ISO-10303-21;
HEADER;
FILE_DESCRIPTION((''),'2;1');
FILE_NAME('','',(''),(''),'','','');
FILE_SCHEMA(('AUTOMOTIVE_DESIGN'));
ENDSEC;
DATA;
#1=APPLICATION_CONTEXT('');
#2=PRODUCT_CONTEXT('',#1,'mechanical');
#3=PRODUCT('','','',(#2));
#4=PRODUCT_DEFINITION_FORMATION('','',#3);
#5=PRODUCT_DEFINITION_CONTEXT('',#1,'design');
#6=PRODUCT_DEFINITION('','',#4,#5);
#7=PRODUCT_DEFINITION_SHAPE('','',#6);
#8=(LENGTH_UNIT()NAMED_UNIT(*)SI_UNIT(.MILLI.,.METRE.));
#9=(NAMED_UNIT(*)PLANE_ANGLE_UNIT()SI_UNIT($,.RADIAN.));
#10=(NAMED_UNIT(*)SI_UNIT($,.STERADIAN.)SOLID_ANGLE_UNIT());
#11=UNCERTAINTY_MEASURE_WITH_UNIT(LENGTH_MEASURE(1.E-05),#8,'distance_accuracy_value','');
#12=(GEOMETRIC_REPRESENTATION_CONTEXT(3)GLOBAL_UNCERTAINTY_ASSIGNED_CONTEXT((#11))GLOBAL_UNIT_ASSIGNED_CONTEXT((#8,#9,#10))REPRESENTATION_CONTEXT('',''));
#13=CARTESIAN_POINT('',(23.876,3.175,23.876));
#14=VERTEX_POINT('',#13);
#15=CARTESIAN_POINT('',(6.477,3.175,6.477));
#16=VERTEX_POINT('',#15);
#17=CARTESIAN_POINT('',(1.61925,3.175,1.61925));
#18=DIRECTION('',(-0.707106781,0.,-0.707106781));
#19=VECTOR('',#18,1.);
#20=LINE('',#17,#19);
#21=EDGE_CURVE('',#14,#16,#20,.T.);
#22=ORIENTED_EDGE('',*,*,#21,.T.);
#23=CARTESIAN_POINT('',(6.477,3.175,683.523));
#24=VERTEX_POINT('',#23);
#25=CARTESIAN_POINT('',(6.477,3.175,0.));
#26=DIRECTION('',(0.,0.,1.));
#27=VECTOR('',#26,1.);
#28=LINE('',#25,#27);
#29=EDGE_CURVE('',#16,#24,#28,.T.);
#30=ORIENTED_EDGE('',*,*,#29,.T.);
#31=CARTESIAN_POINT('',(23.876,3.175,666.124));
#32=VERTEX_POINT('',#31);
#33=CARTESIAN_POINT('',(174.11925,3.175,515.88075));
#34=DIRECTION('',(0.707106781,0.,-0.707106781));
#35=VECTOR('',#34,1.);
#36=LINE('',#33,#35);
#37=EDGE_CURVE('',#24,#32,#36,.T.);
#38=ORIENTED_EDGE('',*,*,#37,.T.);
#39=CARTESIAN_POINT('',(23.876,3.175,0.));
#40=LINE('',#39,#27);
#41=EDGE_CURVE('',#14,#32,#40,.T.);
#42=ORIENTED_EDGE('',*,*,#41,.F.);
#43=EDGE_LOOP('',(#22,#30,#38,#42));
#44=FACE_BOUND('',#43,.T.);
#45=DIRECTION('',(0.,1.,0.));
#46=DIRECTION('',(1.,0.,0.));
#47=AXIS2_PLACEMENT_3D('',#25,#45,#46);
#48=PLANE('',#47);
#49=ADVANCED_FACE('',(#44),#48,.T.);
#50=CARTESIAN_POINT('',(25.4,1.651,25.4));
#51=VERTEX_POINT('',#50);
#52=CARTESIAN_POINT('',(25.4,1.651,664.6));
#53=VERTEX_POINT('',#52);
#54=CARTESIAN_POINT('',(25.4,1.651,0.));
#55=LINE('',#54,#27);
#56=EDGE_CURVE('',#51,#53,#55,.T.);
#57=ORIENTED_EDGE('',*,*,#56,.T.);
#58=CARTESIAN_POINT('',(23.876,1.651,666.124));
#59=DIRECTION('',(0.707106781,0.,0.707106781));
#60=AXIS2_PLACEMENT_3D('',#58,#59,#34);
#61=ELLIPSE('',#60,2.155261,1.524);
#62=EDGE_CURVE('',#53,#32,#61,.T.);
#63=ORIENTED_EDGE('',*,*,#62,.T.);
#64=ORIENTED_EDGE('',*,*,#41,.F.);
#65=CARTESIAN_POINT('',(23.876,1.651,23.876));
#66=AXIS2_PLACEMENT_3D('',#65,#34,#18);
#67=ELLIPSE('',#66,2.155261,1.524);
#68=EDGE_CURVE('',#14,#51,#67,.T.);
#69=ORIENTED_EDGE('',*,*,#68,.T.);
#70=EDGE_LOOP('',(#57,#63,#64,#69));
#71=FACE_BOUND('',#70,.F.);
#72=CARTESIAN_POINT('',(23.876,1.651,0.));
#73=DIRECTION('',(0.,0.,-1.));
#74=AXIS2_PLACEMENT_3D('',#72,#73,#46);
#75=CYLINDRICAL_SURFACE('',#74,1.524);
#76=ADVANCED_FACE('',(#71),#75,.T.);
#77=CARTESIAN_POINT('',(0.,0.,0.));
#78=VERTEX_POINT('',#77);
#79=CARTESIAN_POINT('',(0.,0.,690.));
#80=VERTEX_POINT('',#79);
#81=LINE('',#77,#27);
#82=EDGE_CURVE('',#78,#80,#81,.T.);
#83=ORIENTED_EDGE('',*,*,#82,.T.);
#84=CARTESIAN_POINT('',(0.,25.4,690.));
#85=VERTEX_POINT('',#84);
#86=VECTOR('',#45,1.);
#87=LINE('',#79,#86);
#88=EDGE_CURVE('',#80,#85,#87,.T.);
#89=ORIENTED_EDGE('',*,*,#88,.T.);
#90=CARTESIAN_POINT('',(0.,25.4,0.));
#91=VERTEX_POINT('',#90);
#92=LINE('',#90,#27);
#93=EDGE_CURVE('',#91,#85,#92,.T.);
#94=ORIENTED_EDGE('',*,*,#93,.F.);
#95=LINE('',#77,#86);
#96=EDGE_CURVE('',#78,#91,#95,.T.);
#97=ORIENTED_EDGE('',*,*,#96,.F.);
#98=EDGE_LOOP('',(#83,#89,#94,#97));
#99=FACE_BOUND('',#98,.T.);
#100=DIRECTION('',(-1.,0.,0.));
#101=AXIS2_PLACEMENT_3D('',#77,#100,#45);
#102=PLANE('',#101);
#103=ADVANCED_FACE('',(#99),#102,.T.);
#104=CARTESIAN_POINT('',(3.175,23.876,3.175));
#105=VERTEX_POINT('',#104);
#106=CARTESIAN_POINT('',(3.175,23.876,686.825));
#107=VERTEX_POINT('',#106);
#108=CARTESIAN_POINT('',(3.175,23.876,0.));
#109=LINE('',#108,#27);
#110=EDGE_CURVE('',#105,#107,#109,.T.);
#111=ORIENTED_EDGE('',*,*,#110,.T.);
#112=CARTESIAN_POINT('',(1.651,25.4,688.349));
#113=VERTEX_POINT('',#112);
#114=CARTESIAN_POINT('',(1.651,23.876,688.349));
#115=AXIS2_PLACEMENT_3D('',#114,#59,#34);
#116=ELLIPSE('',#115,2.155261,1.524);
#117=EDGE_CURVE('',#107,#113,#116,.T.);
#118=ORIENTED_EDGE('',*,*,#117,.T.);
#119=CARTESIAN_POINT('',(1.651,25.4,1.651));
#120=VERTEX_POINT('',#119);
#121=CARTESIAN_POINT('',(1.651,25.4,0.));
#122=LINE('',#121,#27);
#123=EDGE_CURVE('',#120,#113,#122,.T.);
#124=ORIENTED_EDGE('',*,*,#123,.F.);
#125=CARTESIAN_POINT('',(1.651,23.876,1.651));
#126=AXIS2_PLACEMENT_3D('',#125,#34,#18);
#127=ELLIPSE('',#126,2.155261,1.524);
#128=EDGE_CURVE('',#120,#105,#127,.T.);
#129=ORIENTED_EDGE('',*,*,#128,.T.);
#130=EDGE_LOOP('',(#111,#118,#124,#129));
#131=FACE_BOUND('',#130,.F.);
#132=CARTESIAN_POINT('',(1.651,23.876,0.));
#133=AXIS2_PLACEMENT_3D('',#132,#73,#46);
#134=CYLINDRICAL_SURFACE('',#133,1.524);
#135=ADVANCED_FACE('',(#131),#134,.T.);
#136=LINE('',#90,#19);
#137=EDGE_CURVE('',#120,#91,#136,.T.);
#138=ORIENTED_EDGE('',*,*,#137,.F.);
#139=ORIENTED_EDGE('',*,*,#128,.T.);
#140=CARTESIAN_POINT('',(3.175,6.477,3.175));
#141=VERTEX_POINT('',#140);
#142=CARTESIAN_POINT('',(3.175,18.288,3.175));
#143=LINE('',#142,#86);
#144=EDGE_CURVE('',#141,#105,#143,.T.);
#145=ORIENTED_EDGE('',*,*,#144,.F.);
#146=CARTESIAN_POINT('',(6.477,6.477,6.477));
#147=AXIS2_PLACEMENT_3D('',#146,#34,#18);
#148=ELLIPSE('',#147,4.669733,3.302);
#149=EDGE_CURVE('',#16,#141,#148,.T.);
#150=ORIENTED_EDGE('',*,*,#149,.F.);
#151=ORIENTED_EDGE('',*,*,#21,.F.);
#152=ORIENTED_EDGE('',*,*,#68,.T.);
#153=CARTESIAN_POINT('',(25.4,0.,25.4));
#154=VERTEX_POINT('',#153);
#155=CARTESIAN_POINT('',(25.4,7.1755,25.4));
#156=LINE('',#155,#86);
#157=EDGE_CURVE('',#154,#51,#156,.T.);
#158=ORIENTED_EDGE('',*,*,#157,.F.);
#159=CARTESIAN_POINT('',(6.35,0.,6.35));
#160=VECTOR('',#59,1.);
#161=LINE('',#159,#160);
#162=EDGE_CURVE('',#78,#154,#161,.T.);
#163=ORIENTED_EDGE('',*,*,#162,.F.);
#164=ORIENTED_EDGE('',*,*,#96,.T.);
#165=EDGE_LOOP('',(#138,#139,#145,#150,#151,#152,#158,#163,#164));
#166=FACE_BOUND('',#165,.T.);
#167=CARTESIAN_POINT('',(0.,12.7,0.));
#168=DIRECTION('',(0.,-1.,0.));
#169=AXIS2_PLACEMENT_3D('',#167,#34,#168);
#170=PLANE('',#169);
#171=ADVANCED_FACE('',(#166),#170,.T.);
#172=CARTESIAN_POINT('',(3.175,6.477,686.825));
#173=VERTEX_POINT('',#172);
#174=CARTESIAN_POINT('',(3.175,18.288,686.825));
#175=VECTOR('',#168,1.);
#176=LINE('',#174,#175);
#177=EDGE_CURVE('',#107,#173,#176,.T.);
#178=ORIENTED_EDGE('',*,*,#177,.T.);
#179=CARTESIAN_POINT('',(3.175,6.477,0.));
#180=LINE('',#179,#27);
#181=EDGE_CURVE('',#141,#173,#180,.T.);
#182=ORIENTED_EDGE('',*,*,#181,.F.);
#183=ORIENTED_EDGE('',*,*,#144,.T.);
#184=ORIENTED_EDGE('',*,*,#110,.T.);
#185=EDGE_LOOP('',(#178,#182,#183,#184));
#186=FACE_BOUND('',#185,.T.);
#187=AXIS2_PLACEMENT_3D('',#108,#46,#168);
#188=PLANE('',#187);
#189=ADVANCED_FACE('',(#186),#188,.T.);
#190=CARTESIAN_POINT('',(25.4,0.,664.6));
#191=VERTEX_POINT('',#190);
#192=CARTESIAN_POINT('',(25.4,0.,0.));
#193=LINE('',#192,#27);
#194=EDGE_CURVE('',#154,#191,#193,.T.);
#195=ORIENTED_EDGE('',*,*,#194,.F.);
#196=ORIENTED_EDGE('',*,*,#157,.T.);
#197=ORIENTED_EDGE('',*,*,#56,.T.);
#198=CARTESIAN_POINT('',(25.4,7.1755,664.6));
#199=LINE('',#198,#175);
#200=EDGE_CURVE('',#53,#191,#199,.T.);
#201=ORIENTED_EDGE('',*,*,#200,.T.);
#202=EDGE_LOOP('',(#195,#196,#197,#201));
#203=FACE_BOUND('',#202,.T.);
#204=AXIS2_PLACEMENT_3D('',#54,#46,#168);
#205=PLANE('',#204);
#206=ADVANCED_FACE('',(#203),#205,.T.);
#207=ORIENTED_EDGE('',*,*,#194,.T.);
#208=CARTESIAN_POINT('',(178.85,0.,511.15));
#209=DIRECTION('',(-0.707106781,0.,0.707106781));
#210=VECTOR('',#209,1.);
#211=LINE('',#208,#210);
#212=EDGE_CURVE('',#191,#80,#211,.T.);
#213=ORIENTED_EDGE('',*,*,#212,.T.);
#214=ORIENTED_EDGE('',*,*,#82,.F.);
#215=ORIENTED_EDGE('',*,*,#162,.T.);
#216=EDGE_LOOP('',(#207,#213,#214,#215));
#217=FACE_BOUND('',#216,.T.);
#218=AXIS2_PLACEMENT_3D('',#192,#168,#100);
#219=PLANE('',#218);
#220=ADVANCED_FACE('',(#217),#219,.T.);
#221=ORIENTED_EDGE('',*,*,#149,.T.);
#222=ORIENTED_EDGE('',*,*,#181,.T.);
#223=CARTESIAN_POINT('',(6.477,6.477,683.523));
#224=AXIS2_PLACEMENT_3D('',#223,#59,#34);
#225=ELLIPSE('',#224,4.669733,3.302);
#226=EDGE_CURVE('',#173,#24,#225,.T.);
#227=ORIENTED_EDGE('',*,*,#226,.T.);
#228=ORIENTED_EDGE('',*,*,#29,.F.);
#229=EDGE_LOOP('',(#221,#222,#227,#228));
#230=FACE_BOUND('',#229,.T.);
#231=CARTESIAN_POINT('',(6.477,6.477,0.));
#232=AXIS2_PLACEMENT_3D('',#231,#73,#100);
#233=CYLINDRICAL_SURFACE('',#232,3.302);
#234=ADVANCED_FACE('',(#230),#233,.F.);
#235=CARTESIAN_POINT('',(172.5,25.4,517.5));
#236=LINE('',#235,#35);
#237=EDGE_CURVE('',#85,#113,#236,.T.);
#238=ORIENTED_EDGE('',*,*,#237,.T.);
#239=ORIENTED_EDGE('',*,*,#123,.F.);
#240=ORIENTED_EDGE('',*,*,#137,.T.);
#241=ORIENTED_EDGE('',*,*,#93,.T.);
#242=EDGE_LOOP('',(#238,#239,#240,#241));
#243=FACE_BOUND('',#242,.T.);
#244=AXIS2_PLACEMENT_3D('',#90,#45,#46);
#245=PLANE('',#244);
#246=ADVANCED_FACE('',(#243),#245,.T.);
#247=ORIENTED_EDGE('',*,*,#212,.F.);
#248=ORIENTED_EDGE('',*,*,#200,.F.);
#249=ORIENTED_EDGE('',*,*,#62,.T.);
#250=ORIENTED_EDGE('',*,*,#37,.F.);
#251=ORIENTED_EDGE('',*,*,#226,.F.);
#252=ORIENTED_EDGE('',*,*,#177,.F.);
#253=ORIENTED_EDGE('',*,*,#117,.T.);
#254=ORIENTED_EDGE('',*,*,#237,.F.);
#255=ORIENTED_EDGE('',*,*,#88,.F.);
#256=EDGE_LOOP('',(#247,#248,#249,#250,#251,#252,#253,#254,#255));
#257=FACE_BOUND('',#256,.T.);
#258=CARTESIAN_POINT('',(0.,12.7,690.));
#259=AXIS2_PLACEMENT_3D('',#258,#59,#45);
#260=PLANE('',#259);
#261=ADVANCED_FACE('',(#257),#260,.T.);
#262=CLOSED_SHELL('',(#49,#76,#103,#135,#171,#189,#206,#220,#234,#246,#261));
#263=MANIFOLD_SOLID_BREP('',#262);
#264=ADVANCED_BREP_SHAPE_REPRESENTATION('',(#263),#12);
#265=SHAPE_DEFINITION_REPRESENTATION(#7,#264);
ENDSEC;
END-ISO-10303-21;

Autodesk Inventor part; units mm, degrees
ref_plane "Start Plane" through (0, 0, 0) normal (0, 0, 1) x (1, 0, 0)
ref_plane "End Plane" through (0, 0, 690) normal (0, 0, 1) x (1, 0, 0)
sketch "Sketch" plane through (0, 0, 0) normal (0, 0, 1) x (1, 0, 0)
  line L0 (25.4, 0) -> (0, 0)
  line L1 (0, 0) -> (0, 25.4)
  line L2 (0, 25.4) -> (1.651, 25.4)
  line L3 (3.175, 23.876) -> (3.175, 6.477)
  line L4 (6.477, 3.175) -> (23.876, 3.175)
  line L5 (25.4, 1.651) -> (25.4, 0)
  line L6 (0, -11.0414) -> (0, 31.5385) construction
  line L7 (-11.0414, 0) -> (31.5385, 0) construction
  arc A0 (3.175, 6.477) -> (6.477, 3.175) centre (6.477, 6.477) ccw
  arc A1 (3.175, 23.876) -> (1.651, 25.4) centre (1.651, 23.876) ccw
  arc A2 (25.4, 1.651) -> (23.876, 3.175) centre (23.876, 1.651) ccw
  line L8 (0, 40.0545) -> (0, -19.5574) construction
  line L9 (-19.5574, 0) -> (40.0545, 0) construction
  point P0 (3.175, 25.4)
  point P1 (3.175, 3.175)
  point P2 (25.4, 3.175)
  dimension "d0" = 25.4
  dimension "d1" = 25.4
  dimension "d2" = 3.175
  dimension "d3" = 3.175
  dimension "d10" = 0
  dimension "d11" = 0
  dimension "d14" = 3.302
  dimension "d15" = 1.524
extrude "Body" add sketch "Sketch" along normal up to surface (690 mm away) from surface at 0
sketch "Sketch3" plane through (0, 0, 0) normal (0, 0, 1) x (1, 0, 0)
  line L0 (0, 0) -> (10, 0)
ref_plane "Work Plane3" through (0, 0, 0) normal (0, -1, 0) x (1, 0, 0)
ref_plane "Work Plane4" through (0, 12.7, 0) normal (0.7071, 0, -0.7071) x (-0.7071, 0, -0.7071)
split "Split1" plane through (0, 12.7, 0) removes the side toward (0.7071, 0, -0.7071)
ref_plane "Work Plane5" through (0, 12.7, 690) normal (0.7071, 0, 0.7071) x (0.7071, 0, -0.7071)
split "Split2" plane through (0, 12.7, 690) removes the side toward (0.7071, 0, 0.7071)
sketch "Sketch4" plane through (0, 0, 0) normal (0, -1, 0) x (1, 0, 0)
  line L0 (-2, 0) -> (12, 0) projected
  line L1 (-2, 690) -> (12, 690) projected
  dimension "d17" = 690
equation "\"d0\" = G_H"
equation "\"d1\" = G_H"
equation "\"d2\" = G_T"
equation "\"d3\" = G_T"
equation "\"d14\" = G_IR"
equation "\"d15\" = G_ER"
equation "\"d4\" = G_L"
equation "\"G_H\" = 25.4"
equation "\"G_T\" = 3.175"
equation "\"G_ER\" = 1.524"
equation "\"G_IR\" = 3.302"
equation "\"G_L\" = d17"
equation "\"ex\" = 0"
equation "\"G_OFFSET_START\" = 0"
equation "\"G_OFFSET_END\" = 0"
equation "\"d13\" = G_OFFSET_END + B_L"
equation "\"B_L\" = 690"
properties part number "AISC - L 1 x 1 x 1/8 - 27.165" material "Steel, Mild"
